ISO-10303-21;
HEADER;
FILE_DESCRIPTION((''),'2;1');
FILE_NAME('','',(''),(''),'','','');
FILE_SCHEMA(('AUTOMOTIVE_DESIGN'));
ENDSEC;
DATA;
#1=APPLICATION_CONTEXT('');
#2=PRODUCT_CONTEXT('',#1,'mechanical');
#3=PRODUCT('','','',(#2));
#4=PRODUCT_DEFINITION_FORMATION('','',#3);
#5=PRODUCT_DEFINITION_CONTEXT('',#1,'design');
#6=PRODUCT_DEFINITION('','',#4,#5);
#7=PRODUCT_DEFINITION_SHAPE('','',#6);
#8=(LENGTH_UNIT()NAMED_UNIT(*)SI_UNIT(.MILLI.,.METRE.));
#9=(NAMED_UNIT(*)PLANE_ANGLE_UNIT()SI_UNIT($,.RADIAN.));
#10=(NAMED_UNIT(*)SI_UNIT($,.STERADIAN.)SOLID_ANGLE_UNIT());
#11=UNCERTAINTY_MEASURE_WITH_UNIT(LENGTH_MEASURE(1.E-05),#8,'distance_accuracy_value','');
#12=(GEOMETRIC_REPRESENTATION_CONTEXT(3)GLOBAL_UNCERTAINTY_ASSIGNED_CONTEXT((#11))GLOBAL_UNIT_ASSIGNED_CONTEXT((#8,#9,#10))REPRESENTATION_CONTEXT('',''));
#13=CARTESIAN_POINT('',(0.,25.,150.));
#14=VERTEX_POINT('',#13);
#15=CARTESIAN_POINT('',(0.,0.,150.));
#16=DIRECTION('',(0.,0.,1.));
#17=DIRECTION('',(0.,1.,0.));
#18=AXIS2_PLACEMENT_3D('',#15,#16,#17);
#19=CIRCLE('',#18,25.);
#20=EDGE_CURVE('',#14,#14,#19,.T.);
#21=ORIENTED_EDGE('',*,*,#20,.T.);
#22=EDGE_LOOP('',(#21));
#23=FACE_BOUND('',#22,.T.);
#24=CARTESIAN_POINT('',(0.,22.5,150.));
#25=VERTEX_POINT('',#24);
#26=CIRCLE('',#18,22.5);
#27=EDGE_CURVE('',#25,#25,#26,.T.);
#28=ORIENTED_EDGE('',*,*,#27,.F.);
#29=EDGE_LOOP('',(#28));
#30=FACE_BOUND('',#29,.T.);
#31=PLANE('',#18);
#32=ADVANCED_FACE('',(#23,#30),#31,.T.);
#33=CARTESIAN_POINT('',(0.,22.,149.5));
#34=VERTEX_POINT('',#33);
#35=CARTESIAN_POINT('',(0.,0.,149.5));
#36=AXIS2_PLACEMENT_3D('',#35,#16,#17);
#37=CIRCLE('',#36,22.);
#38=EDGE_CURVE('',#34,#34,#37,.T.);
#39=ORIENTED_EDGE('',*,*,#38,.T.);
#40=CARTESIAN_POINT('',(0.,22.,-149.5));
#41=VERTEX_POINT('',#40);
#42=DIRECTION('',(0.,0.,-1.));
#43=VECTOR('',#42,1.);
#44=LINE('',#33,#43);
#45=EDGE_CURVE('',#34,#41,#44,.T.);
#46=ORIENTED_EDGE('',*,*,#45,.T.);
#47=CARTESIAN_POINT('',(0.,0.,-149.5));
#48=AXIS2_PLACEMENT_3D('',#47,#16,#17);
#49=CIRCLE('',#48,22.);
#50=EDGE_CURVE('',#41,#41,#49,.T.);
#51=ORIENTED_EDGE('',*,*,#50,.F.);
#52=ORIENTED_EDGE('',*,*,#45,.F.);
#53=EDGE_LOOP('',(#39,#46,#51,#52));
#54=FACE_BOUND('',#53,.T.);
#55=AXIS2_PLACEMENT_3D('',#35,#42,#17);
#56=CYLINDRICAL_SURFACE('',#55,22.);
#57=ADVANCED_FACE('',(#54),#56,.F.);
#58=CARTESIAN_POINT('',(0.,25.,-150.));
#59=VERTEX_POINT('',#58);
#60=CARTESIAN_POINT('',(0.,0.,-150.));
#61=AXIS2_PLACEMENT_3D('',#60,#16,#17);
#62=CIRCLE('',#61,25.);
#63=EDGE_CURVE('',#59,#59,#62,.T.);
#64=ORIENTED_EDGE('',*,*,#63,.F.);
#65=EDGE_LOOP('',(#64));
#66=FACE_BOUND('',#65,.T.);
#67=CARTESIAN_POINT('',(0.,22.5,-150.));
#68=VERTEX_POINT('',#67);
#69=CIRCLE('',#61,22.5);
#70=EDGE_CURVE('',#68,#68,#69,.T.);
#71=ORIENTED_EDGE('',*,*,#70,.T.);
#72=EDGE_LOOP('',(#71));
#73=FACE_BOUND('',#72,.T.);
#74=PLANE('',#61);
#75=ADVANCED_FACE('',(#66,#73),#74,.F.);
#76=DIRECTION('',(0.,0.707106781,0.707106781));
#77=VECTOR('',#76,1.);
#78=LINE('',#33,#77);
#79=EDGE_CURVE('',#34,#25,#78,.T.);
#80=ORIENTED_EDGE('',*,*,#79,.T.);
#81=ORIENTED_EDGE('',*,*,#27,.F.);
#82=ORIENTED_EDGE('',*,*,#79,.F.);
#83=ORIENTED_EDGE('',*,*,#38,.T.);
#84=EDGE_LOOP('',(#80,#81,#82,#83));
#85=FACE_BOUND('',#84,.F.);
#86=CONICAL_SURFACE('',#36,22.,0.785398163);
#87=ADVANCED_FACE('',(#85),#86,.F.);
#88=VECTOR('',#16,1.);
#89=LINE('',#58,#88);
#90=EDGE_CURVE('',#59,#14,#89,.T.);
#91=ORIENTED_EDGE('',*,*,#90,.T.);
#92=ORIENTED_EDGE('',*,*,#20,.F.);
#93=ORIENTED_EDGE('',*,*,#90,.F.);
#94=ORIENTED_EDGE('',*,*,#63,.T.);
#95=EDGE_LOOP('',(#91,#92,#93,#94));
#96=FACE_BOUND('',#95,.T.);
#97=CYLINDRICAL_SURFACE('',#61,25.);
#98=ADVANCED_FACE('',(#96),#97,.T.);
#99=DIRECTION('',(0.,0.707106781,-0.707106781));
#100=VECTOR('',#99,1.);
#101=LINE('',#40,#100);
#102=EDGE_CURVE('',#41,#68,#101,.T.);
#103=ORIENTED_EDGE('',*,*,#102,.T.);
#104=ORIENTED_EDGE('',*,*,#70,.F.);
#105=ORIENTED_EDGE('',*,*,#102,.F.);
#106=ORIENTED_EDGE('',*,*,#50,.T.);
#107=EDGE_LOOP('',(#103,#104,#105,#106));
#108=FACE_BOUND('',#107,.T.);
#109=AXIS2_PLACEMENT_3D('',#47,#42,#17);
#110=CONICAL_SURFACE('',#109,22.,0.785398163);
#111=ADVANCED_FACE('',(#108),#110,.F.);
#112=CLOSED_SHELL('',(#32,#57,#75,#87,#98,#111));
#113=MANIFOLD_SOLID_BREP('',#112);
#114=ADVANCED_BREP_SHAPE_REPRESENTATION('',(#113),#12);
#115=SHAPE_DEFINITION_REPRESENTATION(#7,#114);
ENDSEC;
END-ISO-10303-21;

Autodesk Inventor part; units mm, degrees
ref_plane "YZ Plane" through (0, 0, 0) normal (1, 0, 0) x (0, 1, 0)
ref_plane "XZ Plane" through (0, 0, 0) normal (0, 1, 0) x (-1, 0, 0)
ref_plane "XY Plane" through (0, 0, 0) normal (0, 0, 1) x (1, 0, 0)
sketch "草圖1" plane through (0, 0, 0) normal (1, 0, 0) x (0, 1, 0)
  line L0 (25, 150) -> (22.5, 150)
  line L1 (22, 149.5) -> (22, -149.5)
  line L2 (22.5, -150) -> (25, -150)
  line L3 (25, -150) -> (25, 150)
  line L4 (0, -210) -> (0, 210) construction
  line L5 (22, 149.5) -> (22.5, 150)
  line L6 (22, -149.5) -> (22.5, -150)
  point P0 (0, 0)
  point P1 (22, -150)
  point P2 (22, 150)
  point P3 (22, 0)
  dimension "d0" = 44
  dimension "d2" = 0.5
  dimension "d3" = 0.5
  dimension "d4" = 0.5
  dimension "d5" = 0.5
  dimension "d6" = 300
  dimension "d8" = 50
revolve "迴轉1" add sketch "草圖1" angle 360 about axis through (0, 0, -10) along (0, 0, 1)
equation "\"d3\" = d2"
equation "\"d4\" = d2"
equation "\"d5\" = d4"
properties part number "A0003"
